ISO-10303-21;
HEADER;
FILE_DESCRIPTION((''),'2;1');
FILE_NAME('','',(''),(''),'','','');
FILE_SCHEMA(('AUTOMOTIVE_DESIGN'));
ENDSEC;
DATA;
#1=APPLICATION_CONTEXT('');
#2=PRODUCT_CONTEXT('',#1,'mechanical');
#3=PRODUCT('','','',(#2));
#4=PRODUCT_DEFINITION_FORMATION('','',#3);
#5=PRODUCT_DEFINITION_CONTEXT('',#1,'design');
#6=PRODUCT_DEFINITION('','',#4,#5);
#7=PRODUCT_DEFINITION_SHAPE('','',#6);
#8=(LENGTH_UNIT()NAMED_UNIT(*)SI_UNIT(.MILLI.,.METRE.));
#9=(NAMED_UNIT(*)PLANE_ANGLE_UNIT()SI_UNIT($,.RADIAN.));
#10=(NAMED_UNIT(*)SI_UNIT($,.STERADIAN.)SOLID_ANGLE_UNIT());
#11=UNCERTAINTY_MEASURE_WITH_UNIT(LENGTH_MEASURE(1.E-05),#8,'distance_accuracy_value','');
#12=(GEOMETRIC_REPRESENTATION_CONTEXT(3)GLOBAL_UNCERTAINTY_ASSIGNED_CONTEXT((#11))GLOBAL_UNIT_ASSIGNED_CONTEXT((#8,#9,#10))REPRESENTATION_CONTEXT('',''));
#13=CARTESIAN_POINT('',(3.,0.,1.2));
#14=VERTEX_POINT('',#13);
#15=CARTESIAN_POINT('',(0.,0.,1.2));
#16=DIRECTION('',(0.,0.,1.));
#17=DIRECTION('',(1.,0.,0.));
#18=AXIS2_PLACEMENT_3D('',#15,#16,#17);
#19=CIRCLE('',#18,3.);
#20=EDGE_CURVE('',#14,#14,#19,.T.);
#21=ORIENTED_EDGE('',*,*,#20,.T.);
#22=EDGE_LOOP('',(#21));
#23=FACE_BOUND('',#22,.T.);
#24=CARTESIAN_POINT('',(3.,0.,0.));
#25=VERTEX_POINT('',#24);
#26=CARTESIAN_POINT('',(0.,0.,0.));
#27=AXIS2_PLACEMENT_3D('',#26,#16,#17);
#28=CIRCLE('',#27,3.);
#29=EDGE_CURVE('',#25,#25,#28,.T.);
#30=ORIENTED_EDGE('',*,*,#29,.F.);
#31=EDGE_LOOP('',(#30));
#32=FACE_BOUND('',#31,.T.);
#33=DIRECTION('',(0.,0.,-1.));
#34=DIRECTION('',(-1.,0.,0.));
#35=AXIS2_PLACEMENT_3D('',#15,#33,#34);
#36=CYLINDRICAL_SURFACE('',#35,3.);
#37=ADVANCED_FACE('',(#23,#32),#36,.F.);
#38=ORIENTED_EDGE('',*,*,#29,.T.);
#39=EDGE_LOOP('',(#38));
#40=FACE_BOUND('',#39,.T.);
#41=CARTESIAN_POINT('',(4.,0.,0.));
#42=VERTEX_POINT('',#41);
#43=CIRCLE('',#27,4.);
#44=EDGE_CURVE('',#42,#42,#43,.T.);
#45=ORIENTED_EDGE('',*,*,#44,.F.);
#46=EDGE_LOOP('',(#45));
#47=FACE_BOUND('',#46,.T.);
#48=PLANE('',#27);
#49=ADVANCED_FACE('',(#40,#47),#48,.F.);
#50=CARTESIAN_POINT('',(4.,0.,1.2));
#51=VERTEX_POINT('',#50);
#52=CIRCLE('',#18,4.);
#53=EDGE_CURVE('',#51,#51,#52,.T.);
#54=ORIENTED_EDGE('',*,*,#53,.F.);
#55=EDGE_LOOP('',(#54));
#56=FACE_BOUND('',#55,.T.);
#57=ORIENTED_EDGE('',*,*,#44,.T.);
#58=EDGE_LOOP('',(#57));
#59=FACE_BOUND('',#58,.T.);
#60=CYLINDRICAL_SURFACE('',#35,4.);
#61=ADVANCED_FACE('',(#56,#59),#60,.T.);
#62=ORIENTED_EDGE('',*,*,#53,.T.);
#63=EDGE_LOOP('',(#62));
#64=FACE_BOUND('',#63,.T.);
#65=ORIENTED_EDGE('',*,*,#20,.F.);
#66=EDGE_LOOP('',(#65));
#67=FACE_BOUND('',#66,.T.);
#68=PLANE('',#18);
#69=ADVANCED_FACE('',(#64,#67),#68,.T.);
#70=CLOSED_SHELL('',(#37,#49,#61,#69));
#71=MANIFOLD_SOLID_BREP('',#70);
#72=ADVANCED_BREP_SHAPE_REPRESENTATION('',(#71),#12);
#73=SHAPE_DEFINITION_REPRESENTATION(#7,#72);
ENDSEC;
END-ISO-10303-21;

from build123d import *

# Parameters (mm, degrees)
SKETCH_1_R      = 4
SKETCH_1_R_2    = 3
EXTRUDE_1_DEPTH = 1.2


with BuildPart() as part:
    # 草图1 → 凸台-拉伸1 (new body)
    with BuildSketch(Plane.XY):
        Circle(SKETCH_1_R)
        Circle(SKETCH_1_R_2, mode=Mode.SUBTRACT)
    extrude(amount=EXTRUDE_1_DEPTH)


solid = part.part
